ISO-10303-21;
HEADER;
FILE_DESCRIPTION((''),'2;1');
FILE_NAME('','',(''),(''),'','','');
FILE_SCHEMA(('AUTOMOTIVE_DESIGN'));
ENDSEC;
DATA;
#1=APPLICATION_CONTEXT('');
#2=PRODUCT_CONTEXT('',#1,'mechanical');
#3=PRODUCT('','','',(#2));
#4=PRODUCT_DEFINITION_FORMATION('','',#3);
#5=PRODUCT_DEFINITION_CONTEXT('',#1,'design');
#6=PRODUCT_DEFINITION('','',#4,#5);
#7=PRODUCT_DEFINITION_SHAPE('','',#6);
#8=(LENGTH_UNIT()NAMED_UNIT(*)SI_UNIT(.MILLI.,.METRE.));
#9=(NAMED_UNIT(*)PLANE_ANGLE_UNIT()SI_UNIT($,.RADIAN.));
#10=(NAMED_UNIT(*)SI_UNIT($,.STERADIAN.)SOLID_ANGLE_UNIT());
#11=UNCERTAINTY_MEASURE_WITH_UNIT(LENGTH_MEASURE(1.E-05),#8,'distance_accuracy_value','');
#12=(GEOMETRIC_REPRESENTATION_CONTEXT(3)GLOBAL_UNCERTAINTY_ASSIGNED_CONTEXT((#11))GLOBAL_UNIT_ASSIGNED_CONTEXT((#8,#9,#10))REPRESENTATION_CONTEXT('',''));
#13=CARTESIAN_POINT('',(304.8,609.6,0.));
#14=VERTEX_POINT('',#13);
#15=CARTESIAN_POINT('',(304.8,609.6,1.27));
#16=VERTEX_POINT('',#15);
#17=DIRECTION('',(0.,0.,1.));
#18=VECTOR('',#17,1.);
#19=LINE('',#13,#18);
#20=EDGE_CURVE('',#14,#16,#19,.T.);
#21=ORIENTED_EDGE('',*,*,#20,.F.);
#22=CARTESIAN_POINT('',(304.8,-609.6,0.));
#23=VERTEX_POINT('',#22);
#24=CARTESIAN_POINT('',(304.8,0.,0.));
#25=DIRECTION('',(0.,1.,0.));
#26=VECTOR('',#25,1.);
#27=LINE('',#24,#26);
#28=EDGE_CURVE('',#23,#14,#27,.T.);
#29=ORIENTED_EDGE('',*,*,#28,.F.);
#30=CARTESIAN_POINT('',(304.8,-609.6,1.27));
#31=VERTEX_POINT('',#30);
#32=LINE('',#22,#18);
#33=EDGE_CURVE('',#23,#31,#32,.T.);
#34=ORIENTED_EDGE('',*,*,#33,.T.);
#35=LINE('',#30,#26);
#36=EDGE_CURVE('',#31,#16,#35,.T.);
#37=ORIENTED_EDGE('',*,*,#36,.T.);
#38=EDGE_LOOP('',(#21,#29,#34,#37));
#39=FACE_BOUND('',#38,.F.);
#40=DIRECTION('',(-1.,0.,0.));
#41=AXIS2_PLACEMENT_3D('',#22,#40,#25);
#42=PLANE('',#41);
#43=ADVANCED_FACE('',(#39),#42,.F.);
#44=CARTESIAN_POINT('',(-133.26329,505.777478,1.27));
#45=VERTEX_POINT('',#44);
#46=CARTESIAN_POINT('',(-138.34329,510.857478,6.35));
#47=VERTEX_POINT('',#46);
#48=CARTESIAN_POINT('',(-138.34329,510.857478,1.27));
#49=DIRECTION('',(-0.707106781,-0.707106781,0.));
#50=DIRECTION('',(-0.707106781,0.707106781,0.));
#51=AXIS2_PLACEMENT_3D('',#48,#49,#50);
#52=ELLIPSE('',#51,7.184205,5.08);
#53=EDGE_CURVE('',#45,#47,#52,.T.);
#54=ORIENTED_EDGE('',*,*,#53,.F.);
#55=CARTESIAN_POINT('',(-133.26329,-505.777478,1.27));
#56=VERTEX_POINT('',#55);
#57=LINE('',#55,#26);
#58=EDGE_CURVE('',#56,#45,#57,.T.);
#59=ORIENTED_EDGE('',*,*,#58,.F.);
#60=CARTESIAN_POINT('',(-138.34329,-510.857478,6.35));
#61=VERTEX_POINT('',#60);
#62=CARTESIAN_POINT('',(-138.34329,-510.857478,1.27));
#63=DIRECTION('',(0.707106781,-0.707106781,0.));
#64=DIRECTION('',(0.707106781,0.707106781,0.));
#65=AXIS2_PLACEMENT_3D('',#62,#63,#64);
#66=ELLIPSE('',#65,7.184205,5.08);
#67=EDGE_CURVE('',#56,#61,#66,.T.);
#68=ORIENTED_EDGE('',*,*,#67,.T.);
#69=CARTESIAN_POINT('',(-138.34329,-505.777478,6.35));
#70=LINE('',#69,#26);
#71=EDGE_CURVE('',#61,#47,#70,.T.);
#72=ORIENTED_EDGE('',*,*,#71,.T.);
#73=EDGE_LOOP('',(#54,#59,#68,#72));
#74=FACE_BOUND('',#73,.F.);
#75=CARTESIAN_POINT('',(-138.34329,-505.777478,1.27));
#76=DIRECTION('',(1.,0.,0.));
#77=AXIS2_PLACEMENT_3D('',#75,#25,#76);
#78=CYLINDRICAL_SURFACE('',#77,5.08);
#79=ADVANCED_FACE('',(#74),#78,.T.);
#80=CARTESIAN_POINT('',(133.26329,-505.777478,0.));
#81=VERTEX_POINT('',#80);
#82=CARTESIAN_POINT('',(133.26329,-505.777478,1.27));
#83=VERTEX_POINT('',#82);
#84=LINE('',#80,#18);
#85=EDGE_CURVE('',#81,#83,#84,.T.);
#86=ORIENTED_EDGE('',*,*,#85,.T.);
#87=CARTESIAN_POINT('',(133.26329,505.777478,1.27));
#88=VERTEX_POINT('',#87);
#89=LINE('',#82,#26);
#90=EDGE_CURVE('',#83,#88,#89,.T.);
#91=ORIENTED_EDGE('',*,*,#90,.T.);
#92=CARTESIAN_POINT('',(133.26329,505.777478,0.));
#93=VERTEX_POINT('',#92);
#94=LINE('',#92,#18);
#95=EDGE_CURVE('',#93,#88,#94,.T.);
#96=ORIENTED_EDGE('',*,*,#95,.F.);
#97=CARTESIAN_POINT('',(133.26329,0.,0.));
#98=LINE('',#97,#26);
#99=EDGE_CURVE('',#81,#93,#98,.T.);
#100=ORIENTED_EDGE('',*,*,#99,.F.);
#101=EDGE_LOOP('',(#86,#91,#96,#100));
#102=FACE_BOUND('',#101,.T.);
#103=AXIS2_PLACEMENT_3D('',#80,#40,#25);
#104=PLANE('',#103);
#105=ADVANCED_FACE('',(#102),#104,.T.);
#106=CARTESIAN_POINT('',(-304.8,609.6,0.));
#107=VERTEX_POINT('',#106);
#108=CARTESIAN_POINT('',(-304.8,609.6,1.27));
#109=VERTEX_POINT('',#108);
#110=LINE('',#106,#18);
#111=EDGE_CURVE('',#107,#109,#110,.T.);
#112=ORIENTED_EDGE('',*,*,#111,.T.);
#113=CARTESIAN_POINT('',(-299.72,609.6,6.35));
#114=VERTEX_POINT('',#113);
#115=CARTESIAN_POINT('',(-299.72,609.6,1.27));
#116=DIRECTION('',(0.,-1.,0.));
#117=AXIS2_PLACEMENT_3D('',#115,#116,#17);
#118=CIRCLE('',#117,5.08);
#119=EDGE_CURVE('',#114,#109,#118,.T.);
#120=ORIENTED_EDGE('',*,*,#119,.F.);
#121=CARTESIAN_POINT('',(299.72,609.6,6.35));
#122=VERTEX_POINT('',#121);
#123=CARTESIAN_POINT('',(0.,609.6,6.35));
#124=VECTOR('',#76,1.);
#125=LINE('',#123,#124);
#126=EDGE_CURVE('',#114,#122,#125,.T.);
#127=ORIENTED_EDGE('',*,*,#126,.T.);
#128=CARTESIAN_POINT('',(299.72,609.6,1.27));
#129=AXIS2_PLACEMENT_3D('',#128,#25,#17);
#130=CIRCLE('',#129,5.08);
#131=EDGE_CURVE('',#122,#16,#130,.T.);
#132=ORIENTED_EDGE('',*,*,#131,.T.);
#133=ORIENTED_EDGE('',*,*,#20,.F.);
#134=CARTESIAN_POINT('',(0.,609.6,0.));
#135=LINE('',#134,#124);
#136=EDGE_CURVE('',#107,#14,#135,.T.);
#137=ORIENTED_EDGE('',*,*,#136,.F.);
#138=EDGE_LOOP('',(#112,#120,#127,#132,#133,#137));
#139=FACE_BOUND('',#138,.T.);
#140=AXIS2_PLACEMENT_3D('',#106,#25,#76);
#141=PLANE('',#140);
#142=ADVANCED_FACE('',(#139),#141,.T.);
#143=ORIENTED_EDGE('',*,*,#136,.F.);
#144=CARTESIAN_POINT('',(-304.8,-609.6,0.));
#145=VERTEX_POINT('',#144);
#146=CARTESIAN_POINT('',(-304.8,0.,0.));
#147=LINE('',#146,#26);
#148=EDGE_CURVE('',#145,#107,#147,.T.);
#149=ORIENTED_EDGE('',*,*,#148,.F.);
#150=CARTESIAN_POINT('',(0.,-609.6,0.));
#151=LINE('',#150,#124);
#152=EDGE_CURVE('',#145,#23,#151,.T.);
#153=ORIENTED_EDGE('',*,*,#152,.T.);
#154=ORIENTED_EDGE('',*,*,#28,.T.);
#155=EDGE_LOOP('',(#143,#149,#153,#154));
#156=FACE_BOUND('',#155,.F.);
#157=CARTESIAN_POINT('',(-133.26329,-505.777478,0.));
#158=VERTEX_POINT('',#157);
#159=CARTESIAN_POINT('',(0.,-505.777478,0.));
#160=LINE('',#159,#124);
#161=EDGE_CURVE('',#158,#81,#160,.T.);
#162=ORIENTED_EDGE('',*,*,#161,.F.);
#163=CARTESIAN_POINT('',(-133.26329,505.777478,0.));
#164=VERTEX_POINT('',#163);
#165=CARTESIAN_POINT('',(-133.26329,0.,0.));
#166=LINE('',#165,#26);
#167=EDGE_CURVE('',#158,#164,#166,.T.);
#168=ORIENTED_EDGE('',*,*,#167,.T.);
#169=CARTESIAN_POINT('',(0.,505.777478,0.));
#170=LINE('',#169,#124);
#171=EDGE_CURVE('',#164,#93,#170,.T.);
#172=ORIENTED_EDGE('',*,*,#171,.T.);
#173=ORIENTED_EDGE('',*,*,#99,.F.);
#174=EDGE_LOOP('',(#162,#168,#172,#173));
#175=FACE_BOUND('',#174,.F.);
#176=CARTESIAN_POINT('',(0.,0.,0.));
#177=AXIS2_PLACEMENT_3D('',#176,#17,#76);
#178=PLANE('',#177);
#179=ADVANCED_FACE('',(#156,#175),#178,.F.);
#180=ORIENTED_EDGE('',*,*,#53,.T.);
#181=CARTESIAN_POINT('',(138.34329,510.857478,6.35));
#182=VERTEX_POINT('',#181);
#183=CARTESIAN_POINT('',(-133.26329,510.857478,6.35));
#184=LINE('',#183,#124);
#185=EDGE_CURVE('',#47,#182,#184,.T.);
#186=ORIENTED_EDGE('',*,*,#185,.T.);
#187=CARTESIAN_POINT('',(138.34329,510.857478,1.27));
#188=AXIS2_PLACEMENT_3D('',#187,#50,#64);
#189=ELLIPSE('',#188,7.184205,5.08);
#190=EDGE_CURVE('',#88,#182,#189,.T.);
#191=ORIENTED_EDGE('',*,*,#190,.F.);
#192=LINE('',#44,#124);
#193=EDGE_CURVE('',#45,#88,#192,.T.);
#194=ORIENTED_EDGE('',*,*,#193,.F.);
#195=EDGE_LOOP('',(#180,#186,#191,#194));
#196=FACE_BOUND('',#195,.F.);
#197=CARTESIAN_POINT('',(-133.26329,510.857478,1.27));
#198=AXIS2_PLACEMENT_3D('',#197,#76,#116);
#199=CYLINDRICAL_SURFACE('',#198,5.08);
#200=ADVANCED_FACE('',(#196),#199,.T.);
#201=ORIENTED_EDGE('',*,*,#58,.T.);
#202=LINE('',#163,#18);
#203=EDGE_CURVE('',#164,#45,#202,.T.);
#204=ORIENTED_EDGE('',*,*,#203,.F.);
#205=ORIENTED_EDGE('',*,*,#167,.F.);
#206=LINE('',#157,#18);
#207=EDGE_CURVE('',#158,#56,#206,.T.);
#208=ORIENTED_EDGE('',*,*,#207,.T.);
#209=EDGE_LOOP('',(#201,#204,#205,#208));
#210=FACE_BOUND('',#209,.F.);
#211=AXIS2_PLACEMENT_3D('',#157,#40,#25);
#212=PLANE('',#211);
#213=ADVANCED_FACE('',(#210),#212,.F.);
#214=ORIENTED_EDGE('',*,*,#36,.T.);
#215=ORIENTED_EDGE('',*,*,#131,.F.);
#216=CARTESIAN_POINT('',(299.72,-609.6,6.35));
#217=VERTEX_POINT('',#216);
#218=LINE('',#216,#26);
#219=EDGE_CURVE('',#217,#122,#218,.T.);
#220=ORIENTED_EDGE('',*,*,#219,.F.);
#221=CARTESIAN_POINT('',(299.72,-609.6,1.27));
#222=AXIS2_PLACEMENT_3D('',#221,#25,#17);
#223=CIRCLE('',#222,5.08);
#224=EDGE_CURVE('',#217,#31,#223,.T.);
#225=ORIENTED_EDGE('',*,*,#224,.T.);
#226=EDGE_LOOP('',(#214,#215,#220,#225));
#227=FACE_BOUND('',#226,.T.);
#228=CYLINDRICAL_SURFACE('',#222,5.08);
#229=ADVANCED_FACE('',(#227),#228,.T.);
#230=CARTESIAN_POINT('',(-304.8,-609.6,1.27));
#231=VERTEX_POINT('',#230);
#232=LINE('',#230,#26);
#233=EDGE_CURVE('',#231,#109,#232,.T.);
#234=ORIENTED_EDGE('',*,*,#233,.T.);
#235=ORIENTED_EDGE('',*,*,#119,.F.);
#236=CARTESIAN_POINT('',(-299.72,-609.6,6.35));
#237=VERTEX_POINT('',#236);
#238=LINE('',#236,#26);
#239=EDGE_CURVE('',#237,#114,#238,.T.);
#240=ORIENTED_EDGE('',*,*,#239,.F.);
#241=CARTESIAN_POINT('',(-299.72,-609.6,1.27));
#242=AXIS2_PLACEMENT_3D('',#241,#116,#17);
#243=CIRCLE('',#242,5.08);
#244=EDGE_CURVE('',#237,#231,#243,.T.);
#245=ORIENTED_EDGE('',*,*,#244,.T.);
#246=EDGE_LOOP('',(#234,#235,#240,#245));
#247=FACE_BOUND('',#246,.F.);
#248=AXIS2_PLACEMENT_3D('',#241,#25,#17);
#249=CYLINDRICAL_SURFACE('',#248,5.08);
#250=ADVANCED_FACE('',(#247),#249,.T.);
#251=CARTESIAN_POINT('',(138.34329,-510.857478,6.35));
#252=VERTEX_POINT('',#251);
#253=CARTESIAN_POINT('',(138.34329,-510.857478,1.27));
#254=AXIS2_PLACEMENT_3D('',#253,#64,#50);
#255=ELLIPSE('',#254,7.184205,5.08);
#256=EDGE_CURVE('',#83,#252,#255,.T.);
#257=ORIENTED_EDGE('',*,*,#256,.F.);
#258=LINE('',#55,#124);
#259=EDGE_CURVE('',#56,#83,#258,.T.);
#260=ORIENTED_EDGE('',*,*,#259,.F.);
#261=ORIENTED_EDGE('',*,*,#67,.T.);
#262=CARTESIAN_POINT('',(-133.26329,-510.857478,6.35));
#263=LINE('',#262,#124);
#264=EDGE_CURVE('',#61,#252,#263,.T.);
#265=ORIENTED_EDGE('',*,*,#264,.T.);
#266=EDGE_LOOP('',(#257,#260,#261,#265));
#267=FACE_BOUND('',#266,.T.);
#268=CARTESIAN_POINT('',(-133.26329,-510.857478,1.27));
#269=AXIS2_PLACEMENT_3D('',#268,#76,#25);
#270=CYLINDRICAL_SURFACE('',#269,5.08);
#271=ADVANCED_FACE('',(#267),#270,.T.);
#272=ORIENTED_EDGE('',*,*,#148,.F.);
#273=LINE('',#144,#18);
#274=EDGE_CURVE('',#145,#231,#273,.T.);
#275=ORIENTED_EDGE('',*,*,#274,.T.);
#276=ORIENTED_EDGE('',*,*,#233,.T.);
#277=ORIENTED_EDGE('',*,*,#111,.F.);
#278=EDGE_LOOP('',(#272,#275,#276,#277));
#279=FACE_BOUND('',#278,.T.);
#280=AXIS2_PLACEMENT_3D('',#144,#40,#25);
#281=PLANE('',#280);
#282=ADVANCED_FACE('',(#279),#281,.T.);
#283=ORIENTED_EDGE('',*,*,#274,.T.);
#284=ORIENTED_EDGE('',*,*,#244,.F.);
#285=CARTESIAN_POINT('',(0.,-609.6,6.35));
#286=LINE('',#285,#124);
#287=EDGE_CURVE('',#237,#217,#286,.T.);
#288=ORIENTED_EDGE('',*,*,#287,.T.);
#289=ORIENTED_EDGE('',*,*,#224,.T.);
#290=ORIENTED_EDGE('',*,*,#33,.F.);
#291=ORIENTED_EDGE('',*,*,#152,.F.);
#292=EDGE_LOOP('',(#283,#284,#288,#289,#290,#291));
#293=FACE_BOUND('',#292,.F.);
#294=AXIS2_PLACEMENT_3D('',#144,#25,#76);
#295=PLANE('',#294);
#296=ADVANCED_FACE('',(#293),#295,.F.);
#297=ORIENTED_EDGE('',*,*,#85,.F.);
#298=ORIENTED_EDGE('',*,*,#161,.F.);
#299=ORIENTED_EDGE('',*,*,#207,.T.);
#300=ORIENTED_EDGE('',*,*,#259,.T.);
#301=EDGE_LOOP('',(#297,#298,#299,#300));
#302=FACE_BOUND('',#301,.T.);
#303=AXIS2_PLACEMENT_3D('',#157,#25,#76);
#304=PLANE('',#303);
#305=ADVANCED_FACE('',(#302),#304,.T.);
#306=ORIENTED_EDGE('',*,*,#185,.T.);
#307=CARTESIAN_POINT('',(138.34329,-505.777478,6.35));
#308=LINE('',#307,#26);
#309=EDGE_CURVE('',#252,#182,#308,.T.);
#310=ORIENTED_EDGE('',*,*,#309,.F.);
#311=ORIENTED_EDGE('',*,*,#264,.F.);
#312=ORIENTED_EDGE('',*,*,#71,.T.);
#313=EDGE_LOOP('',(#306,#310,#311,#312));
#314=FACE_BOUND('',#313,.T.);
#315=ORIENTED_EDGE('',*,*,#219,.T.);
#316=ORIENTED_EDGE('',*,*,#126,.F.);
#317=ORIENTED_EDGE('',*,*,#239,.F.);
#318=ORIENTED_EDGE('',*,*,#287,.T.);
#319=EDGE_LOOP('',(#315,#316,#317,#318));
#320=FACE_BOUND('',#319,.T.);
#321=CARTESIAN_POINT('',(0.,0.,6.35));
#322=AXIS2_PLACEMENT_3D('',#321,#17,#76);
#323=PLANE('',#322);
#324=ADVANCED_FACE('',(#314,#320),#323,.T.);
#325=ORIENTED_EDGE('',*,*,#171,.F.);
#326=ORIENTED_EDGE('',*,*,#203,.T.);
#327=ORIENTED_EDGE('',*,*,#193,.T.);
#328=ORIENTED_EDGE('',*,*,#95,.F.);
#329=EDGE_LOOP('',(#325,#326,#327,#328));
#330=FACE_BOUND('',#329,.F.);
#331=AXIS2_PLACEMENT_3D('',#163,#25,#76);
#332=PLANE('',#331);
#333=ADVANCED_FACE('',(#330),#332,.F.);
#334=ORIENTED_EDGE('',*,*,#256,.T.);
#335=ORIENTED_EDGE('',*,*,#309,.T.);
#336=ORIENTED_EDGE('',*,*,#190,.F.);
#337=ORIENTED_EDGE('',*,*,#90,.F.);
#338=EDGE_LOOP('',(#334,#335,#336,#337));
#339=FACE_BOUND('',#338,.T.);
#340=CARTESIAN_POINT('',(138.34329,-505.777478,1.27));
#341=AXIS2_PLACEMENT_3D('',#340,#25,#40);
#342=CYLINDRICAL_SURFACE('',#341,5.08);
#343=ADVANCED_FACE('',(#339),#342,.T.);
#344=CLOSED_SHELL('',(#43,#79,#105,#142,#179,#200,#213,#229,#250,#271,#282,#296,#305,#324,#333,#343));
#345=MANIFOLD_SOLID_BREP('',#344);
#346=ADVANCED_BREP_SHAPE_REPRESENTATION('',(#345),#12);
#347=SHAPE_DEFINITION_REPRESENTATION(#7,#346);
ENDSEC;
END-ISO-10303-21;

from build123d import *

# Parameters (mm, degrees)
F0_W     = 609.6
F0_H     = 1219.2
F0_W_2   = 266.52658
F0_H_2   = 1011.554956
F1_DEPTH = 6.35
F2_R     = 5.08
F3_R     = 5.08


with BuildPart() as f1:
    # F0 (on Top) → F1 (new body)
    with BuildSketch(Plane.XY):
        Rectangle(F0_W, F0_H)
        Rectangle(F0_W_2, F0_H_2, mode=Mode.SUBTRACT)
    extrude(amount=F1_DEPTH)

    # F2
    f2_edges = [f1.edges().sort_by_distance(p)[0] for p in [
        (133.26329, 0, 6.35),
        (0, -505.777478, 6.35),
        (-133.26329, 0, 6.35),
        (0, 505.777478, 6.35),
    ]]
    fillet(f2_edges, radius=F2_R)

    # F3
    f3_edges = [f1.edges().sort_by_distance(p)[0] for p in [
        (-304.8, 0, 6.35),
        (304.8, 0, 6.35),
    ]]
    fillet(f3_edges, radius=F3_R)


solid = f1.part
